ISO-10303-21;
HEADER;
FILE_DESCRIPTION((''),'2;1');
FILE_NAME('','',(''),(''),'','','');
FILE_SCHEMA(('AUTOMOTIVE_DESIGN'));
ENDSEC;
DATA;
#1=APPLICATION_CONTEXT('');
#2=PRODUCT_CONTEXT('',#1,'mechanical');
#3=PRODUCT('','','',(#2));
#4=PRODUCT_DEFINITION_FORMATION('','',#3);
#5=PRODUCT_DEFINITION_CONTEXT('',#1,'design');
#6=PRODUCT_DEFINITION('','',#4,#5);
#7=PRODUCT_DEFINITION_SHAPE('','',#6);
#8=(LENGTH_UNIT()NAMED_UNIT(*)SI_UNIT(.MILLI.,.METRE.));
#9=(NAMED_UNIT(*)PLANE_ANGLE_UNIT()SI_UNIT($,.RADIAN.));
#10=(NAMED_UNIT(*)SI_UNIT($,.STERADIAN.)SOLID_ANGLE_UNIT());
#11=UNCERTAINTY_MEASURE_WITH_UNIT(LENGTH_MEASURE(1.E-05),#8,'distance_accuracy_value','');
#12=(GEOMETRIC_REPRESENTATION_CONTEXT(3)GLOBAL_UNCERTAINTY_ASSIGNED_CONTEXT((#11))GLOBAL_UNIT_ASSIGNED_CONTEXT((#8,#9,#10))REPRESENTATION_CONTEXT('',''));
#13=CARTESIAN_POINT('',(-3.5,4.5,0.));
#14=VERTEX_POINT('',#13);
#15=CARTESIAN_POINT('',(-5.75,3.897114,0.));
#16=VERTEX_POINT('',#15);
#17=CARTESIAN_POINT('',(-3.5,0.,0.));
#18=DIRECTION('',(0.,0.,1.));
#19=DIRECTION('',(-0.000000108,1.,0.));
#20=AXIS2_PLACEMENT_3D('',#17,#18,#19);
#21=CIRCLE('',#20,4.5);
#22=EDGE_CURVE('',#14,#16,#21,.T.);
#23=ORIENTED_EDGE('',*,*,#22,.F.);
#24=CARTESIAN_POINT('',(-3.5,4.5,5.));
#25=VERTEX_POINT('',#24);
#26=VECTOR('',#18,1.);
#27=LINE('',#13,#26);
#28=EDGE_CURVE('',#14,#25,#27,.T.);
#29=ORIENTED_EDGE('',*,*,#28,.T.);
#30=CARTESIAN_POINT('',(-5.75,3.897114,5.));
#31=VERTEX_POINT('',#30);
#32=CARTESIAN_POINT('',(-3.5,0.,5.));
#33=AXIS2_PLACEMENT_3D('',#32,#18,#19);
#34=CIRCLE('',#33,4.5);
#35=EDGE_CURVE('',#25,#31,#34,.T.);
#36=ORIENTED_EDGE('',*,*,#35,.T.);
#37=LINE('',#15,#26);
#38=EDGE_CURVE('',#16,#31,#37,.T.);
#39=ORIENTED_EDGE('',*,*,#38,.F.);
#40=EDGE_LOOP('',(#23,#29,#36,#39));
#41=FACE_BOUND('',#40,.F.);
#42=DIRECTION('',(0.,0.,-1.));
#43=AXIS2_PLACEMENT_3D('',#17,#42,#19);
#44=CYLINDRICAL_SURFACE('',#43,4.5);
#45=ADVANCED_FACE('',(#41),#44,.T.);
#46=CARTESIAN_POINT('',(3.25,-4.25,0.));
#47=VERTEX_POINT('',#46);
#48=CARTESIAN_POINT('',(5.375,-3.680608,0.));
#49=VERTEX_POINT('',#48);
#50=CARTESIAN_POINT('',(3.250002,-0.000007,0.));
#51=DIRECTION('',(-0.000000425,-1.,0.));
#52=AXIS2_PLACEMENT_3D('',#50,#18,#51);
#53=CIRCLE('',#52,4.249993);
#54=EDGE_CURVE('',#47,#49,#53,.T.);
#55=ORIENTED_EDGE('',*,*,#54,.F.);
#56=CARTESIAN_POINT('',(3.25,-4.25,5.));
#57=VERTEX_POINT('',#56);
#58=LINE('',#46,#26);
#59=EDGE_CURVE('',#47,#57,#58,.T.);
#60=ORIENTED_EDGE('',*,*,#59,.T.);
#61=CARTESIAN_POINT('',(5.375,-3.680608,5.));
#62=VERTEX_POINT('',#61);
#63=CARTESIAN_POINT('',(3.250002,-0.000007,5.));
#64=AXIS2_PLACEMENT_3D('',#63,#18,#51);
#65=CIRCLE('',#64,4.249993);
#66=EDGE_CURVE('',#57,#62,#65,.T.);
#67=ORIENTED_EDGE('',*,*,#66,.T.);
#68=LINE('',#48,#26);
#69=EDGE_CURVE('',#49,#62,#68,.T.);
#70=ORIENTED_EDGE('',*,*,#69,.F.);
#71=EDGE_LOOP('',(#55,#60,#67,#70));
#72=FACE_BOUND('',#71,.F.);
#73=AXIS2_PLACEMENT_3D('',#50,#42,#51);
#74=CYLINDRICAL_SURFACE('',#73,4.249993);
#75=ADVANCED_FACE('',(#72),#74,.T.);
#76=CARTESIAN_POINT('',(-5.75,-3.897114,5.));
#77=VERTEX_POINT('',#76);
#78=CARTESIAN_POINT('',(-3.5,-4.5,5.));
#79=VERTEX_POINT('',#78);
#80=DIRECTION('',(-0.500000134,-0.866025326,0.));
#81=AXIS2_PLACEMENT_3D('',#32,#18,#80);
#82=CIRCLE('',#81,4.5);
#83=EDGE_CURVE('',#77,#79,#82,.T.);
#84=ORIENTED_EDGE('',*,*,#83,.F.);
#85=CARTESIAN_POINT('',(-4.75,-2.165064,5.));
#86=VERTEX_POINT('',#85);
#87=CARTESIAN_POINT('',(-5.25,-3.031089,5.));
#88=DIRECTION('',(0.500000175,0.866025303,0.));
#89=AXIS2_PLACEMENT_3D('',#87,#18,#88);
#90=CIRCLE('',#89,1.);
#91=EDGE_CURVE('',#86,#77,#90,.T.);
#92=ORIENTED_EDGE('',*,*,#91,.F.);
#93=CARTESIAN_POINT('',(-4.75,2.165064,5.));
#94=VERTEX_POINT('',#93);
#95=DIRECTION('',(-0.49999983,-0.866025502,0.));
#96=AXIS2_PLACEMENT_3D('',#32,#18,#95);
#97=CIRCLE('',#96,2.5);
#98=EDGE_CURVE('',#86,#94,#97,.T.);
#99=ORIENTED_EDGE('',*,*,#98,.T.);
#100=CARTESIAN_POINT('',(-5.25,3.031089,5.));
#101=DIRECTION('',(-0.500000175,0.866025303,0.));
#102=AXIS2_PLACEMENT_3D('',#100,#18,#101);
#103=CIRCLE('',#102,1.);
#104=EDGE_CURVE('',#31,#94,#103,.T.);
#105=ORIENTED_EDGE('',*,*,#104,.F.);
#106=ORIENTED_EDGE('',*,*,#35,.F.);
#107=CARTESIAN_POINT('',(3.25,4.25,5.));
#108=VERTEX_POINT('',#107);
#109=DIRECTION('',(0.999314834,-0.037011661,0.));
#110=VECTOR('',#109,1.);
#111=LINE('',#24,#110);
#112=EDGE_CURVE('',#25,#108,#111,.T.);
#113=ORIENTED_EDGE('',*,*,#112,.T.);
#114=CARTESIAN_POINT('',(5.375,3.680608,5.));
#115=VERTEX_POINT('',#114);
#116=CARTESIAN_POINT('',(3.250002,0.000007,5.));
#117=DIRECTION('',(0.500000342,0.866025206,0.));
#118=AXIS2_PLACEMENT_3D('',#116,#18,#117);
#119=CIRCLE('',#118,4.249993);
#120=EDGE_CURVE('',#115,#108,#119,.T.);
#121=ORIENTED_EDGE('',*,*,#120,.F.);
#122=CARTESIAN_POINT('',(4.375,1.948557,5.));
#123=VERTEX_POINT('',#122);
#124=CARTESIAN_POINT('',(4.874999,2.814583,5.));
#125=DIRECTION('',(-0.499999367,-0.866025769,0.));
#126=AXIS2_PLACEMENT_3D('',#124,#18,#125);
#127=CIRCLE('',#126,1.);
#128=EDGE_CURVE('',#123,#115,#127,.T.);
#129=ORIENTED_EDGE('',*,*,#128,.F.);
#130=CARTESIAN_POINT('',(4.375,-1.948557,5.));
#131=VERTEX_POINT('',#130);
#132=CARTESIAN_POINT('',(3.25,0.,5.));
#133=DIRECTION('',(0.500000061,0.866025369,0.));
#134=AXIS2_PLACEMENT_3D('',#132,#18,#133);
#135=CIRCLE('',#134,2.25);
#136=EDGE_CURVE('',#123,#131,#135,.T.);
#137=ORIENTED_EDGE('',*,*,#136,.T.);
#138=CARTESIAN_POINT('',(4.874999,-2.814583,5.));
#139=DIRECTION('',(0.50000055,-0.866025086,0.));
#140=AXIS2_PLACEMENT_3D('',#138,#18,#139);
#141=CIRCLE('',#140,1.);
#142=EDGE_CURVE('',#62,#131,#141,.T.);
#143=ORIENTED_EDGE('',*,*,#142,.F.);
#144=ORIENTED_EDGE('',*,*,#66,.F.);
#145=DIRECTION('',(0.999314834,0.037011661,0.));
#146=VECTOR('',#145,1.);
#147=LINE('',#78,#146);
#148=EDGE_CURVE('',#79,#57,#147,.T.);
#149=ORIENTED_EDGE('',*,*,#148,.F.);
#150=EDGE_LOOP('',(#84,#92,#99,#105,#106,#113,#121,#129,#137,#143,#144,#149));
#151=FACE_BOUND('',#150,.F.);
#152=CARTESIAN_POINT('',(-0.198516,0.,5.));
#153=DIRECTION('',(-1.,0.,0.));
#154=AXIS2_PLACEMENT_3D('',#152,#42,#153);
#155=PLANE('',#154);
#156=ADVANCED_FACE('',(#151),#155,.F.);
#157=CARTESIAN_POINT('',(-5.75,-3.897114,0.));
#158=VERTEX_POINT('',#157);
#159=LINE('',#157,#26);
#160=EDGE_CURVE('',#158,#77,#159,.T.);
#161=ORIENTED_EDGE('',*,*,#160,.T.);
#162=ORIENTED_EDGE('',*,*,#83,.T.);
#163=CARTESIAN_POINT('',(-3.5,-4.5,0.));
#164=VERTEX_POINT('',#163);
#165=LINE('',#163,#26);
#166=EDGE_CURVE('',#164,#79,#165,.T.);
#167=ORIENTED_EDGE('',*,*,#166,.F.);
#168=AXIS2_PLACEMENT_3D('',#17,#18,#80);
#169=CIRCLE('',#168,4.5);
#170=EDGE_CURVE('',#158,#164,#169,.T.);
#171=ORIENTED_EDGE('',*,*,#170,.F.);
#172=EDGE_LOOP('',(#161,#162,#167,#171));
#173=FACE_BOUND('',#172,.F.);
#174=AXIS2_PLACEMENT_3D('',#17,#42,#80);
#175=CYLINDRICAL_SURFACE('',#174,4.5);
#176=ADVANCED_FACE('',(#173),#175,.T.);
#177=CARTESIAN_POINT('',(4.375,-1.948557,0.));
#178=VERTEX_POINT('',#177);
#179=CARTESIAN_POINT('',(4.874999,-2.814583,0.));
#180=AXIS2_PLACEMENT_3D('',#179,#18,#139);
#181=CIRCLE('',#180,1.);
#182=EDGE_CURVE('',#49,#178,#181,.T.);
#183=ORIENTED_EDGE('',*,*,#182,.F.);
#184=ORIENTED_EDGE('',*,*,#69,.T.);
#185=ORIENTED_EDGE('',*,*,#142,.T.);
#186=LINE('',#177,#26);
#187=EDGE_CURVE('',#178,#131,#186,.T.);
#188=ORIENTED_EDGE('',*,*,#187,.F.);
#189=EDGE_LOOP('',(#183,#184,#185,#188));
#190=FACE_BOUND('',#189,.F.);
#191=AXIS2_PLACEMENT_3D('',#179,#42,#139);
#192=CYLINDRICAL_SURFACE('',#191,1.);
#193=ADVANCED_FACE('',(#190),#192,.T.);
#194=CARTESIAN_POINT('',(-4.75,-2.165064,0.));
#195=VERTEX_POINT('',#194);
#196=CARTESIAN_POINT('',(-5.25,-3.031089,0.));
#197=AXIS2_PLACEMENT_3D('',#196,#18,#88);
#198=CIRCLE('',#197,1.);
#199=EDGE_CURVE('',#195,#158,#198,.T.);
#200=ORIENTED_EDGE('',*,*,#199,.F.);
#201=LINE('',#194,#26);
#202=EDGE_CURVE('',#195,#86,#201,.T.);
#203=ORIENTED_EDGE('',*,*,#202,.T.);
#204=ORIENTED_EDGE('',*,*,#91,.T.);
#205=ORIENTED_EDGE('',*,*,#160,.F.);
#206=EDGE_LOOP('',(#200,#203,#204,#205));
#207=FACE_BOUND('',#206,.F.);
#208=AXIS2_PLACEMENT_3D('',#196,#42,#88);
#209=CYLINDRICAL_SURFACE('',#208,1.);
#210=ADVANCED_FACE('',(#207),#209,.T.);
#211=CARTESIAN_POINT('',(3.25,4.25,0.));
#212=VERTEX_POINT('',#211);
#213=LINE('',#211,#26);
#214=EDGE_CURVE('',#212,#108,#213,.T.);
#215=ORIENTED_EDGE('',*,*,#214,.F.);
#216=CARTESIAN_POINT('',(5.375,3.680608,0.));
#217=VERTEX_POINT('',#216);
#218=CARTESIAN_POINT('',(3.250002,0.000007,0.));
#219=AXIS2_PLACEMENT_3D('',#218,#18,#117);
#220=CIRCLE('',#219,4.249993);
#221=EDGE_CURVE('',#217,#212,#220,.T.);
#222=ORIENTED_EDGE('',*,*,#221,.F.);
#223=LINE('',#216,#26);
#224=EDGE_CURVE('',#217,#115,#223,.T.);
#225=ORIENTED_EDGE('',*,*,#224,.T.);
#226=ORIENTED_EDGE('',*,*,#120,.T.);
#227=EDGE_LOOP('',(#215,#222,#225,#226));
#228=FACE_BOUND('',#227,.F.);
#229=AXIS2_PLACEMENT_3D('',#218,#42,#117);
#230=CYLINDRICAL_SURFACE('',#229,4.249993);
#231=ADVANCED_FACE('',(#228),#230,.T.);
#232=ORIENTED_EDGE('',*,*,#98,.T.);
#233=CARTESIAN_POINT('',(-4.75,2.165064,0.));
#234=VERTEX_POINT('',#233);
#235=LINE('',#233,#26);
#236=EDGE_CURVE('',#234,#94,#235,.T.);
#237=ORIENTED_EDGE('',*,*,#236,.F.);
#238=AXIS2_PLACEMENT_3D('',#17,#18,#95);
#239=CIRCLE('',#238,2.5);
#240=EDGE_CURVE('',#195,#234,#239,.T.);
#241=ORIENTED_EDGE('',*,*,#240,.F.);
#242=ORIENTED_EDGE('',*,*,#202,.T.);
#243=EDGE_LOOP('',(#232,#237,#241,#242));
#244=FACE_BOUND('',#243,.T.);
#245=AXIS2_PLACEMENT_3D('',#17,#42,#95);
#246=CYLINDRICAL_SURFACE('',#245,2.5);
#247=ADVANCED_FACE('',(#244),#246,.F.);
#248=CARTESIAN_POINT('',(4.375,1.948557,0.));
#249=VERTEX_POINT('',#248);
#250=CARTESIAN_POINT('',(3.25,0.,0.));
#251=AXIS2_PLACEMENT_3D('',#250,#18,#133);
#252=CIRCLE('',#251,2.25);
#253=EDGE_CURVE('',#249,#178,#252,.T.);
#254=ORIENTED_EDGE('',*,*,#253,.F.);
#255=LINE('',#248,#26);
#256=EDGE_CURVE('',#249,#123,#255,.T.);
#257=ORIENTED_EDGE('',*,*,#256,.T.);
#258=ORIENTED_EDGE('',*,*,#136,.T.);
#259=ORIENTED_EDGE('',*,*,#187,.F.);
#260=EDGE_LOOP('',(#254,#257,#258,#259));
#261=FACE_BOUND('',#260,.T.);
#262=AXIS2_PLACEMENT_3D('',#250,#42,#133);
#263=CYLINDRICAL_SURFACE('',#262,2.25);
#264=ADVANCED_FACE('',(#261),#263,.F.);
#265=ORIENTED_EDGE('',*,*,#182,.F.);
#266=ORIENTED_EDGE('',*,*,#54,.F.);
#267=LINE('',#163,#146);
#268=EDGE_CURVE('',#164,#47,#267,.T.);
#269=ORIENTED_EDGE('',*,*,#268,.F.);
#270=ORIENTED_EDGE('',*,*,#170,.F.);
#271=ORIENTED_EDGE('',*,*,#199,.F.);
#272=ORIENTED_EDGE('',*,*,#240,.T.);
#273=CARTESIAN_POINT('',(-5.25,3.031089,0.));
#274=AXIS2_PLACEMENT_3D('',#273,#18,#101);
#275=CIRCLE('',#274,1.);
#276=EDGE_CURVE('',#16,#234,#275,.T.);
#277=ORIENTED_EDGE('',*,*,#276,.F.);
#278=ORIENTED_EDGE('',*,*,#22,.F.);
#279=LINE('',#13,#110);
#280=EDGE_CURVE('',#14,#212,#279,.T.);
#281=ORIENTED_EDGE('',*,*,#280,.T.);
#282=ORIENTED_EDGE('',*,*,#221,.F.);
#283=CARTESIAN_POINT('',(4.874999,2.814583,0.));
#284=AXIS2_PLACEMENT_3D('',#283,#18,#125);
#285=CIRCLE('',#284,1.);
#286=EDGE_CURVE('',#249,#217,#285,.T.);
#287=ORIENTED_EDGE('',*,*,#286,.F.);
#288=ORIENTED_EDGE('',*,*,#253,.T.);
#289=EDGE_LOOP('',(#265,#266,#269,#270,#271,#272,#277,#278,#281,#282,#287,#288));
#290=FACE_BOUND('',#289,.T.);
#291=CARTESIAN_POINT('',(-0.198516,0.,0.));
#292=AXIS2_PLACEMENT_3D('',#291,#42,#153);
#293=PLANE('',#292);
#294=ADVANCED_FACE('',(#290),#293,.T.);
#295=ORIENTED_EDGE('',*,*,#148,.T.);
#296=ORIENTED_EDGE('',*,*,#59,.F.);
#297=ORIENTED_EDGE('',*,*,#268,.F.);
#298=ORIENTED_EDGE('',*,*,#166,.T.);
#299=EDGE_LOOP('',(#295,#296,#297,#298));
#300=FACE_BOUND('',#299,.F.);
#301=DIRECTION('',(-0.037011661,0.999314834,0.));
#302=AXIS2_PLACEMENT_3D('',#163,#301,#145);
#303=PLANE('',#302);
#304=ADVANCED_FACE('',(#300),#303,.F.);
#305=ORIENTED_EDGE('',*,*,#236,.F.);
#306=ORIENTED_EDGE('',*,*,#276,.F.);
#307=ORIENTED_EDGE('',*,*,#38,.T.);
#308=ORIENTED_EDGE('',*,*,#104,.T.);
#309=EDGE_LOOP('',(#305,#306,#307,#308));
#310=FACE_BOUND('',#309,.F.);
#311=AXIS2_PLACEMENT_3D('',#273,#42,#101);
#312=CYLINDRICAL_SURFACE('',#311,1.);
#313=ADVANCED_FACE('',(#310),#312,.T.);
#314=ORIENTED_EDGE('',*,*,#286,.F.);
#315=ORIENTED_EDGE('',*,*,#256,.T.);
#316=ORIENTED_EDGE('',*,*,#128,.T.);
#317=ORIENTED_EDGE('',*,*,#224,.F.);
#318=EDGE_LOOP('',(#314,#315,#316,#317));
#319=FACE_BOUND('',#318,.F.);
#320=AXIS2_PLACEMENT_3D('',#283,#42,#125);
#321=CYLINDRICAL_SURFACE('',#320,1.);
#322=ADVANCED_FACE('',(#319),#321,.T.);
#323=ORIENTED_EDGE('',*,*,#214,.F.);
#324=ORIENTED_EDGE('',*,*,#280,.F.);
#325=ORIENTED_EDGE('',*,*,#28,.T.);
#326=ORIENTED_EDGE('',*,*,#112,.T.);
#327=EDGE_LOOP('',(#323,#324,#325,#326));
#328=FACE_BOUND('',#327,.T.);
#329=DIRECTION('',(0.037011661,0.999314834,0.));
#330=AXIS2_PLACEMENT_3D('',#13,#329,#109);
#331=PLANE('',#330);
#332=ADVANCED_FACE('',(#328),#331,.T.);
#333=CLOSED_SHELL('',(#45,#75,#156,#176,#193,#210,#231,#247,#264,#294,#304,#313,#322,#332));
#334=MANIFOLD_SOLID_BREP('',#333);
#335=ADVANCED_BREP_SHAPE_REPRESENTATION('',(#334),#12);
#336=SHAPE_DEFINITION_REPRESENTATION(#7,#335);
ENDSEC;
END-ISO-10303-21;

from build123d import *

# Parameters (mm, degrees)
PAD_DEPTH = 5


with BuildPart() as part:
    # Sketch001 → Pad (new body)
    with BuildSketch(Plane.XY):
        with BuildLine():
            Line((-3.5, 4.5), (3.25, 4.25))
            ThreePointArc((5.375, 3.680608), (4.349981, 4.105185), (3.25, 4.25))
            ThreePointArc((4.375, 1.948557), (5.741025, 2.314583), (5.375, 3.680608))
            ThreePointArc((4.375, 1.948557), (1, 0), (4.375, -1.948557))
            ThreePointArc((5.375, -3.680608), (5.741025, -2.314583), (4.375, -1.948557))
            ThreePointArc((3.25, -4.25), (4.349981, -4.105185), (5.375, -3.680608))
            Line((-3.5, -4.5), (3.25, -4.25))
            ThreePointArc((-5.75, -3.897114), (-4.664686, -4.346666), (-3.5, -4.5))
            ThreePointArc((-4.75, -2.165064), (-6.116025, -2.531089), (-5.75, -3.897114))
            ThreePointArc((-4.75, -2.165064), (-1, 0), (-4.75, 2.165064))
            ThreePointArc((-5.75, 3.897114), (-6.116025, 2.531089), (-4.75, 2.165064))
            ThreePointArc((-3.5, 4.5), (-4.664686, 4.346666), (-5.75, 3.897114))
        make_face()
    extrude(amount=PAD_DEPTH)


solid = part.part
